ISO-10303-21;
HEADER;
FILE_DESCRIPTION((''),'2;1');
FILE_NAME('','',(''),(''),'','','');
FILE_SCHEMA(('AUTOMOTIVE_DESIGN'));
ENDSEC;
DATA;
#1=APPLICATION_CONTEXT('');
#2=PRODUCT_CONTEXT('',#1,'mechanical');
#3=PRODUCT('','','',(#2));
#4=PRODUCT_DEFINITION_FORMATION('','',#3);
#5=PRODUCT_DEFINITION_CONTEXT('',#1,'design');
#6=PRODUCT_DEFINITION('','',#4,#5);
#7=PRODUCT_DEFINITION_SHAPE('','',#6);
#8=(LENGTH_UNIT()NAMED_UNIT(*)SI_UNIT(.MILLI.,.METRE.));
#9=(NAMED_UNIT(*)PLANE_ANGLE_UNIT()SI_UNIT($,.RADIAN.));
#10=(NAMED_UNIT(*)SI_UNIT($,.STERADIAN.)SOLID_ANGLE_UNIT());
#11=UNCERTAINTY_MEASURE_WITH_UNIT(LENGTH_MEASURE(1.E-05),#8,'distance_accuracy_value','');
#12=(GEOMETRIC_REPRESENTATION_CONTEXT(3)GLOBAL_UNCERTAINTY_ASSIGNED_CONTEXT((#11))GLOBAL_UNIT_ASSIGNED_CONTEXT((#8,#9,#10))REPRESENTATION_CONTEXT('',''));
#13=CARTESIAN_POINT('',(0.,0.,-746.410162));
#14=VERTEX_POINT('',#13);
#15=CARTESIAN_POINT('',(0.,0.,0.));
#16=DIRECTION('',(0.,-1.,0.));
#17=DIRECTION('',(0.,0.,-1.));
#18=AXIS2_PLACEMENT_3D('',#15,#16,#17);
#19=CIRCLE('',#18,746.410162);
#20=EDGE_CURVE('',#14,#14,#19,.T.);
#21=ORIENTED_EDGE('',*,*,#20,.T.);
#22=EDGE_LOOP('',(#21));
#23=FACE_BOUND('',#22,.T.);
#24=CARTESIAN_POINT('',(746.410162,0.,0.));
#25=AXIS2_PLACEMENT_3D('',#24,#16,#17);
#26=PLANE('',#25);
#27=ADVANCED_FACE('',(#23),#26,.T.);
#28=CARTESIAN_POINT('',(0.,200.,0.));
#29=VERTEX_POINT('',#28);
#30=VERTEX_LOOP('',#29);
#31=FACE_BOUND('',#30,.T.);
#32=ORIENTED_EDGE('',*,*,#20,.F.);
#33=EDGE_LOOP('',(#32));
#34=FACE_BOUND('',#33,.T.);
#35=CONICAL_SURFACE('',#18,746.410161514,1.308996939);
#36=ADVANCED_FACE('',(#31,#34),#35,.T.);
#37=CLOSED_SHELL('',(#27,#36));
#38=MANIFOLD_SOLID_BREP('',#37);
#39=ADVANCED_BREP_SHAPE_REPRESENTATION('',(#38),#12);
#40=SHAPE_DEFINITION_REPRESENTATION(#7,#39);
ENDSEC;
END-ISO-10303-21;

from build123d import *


with BuildPart() as part:
    # Esboço1 → Revolução1 (revolve)
    with BuildSketch(Plane.XY, mode=Mode.PRIVATE) as revolu_o1_sk:
        Polygon((0, 0), (0, 200), (746.410161514, 0), align=None)
    revolve(revolu_o1_sk.sketch.rotate(Axis((0, 0, 0), (0, 1, 0)), 90), axis=Axis((0, 0, 0), (0, 1, 0)))


solid = part.part
